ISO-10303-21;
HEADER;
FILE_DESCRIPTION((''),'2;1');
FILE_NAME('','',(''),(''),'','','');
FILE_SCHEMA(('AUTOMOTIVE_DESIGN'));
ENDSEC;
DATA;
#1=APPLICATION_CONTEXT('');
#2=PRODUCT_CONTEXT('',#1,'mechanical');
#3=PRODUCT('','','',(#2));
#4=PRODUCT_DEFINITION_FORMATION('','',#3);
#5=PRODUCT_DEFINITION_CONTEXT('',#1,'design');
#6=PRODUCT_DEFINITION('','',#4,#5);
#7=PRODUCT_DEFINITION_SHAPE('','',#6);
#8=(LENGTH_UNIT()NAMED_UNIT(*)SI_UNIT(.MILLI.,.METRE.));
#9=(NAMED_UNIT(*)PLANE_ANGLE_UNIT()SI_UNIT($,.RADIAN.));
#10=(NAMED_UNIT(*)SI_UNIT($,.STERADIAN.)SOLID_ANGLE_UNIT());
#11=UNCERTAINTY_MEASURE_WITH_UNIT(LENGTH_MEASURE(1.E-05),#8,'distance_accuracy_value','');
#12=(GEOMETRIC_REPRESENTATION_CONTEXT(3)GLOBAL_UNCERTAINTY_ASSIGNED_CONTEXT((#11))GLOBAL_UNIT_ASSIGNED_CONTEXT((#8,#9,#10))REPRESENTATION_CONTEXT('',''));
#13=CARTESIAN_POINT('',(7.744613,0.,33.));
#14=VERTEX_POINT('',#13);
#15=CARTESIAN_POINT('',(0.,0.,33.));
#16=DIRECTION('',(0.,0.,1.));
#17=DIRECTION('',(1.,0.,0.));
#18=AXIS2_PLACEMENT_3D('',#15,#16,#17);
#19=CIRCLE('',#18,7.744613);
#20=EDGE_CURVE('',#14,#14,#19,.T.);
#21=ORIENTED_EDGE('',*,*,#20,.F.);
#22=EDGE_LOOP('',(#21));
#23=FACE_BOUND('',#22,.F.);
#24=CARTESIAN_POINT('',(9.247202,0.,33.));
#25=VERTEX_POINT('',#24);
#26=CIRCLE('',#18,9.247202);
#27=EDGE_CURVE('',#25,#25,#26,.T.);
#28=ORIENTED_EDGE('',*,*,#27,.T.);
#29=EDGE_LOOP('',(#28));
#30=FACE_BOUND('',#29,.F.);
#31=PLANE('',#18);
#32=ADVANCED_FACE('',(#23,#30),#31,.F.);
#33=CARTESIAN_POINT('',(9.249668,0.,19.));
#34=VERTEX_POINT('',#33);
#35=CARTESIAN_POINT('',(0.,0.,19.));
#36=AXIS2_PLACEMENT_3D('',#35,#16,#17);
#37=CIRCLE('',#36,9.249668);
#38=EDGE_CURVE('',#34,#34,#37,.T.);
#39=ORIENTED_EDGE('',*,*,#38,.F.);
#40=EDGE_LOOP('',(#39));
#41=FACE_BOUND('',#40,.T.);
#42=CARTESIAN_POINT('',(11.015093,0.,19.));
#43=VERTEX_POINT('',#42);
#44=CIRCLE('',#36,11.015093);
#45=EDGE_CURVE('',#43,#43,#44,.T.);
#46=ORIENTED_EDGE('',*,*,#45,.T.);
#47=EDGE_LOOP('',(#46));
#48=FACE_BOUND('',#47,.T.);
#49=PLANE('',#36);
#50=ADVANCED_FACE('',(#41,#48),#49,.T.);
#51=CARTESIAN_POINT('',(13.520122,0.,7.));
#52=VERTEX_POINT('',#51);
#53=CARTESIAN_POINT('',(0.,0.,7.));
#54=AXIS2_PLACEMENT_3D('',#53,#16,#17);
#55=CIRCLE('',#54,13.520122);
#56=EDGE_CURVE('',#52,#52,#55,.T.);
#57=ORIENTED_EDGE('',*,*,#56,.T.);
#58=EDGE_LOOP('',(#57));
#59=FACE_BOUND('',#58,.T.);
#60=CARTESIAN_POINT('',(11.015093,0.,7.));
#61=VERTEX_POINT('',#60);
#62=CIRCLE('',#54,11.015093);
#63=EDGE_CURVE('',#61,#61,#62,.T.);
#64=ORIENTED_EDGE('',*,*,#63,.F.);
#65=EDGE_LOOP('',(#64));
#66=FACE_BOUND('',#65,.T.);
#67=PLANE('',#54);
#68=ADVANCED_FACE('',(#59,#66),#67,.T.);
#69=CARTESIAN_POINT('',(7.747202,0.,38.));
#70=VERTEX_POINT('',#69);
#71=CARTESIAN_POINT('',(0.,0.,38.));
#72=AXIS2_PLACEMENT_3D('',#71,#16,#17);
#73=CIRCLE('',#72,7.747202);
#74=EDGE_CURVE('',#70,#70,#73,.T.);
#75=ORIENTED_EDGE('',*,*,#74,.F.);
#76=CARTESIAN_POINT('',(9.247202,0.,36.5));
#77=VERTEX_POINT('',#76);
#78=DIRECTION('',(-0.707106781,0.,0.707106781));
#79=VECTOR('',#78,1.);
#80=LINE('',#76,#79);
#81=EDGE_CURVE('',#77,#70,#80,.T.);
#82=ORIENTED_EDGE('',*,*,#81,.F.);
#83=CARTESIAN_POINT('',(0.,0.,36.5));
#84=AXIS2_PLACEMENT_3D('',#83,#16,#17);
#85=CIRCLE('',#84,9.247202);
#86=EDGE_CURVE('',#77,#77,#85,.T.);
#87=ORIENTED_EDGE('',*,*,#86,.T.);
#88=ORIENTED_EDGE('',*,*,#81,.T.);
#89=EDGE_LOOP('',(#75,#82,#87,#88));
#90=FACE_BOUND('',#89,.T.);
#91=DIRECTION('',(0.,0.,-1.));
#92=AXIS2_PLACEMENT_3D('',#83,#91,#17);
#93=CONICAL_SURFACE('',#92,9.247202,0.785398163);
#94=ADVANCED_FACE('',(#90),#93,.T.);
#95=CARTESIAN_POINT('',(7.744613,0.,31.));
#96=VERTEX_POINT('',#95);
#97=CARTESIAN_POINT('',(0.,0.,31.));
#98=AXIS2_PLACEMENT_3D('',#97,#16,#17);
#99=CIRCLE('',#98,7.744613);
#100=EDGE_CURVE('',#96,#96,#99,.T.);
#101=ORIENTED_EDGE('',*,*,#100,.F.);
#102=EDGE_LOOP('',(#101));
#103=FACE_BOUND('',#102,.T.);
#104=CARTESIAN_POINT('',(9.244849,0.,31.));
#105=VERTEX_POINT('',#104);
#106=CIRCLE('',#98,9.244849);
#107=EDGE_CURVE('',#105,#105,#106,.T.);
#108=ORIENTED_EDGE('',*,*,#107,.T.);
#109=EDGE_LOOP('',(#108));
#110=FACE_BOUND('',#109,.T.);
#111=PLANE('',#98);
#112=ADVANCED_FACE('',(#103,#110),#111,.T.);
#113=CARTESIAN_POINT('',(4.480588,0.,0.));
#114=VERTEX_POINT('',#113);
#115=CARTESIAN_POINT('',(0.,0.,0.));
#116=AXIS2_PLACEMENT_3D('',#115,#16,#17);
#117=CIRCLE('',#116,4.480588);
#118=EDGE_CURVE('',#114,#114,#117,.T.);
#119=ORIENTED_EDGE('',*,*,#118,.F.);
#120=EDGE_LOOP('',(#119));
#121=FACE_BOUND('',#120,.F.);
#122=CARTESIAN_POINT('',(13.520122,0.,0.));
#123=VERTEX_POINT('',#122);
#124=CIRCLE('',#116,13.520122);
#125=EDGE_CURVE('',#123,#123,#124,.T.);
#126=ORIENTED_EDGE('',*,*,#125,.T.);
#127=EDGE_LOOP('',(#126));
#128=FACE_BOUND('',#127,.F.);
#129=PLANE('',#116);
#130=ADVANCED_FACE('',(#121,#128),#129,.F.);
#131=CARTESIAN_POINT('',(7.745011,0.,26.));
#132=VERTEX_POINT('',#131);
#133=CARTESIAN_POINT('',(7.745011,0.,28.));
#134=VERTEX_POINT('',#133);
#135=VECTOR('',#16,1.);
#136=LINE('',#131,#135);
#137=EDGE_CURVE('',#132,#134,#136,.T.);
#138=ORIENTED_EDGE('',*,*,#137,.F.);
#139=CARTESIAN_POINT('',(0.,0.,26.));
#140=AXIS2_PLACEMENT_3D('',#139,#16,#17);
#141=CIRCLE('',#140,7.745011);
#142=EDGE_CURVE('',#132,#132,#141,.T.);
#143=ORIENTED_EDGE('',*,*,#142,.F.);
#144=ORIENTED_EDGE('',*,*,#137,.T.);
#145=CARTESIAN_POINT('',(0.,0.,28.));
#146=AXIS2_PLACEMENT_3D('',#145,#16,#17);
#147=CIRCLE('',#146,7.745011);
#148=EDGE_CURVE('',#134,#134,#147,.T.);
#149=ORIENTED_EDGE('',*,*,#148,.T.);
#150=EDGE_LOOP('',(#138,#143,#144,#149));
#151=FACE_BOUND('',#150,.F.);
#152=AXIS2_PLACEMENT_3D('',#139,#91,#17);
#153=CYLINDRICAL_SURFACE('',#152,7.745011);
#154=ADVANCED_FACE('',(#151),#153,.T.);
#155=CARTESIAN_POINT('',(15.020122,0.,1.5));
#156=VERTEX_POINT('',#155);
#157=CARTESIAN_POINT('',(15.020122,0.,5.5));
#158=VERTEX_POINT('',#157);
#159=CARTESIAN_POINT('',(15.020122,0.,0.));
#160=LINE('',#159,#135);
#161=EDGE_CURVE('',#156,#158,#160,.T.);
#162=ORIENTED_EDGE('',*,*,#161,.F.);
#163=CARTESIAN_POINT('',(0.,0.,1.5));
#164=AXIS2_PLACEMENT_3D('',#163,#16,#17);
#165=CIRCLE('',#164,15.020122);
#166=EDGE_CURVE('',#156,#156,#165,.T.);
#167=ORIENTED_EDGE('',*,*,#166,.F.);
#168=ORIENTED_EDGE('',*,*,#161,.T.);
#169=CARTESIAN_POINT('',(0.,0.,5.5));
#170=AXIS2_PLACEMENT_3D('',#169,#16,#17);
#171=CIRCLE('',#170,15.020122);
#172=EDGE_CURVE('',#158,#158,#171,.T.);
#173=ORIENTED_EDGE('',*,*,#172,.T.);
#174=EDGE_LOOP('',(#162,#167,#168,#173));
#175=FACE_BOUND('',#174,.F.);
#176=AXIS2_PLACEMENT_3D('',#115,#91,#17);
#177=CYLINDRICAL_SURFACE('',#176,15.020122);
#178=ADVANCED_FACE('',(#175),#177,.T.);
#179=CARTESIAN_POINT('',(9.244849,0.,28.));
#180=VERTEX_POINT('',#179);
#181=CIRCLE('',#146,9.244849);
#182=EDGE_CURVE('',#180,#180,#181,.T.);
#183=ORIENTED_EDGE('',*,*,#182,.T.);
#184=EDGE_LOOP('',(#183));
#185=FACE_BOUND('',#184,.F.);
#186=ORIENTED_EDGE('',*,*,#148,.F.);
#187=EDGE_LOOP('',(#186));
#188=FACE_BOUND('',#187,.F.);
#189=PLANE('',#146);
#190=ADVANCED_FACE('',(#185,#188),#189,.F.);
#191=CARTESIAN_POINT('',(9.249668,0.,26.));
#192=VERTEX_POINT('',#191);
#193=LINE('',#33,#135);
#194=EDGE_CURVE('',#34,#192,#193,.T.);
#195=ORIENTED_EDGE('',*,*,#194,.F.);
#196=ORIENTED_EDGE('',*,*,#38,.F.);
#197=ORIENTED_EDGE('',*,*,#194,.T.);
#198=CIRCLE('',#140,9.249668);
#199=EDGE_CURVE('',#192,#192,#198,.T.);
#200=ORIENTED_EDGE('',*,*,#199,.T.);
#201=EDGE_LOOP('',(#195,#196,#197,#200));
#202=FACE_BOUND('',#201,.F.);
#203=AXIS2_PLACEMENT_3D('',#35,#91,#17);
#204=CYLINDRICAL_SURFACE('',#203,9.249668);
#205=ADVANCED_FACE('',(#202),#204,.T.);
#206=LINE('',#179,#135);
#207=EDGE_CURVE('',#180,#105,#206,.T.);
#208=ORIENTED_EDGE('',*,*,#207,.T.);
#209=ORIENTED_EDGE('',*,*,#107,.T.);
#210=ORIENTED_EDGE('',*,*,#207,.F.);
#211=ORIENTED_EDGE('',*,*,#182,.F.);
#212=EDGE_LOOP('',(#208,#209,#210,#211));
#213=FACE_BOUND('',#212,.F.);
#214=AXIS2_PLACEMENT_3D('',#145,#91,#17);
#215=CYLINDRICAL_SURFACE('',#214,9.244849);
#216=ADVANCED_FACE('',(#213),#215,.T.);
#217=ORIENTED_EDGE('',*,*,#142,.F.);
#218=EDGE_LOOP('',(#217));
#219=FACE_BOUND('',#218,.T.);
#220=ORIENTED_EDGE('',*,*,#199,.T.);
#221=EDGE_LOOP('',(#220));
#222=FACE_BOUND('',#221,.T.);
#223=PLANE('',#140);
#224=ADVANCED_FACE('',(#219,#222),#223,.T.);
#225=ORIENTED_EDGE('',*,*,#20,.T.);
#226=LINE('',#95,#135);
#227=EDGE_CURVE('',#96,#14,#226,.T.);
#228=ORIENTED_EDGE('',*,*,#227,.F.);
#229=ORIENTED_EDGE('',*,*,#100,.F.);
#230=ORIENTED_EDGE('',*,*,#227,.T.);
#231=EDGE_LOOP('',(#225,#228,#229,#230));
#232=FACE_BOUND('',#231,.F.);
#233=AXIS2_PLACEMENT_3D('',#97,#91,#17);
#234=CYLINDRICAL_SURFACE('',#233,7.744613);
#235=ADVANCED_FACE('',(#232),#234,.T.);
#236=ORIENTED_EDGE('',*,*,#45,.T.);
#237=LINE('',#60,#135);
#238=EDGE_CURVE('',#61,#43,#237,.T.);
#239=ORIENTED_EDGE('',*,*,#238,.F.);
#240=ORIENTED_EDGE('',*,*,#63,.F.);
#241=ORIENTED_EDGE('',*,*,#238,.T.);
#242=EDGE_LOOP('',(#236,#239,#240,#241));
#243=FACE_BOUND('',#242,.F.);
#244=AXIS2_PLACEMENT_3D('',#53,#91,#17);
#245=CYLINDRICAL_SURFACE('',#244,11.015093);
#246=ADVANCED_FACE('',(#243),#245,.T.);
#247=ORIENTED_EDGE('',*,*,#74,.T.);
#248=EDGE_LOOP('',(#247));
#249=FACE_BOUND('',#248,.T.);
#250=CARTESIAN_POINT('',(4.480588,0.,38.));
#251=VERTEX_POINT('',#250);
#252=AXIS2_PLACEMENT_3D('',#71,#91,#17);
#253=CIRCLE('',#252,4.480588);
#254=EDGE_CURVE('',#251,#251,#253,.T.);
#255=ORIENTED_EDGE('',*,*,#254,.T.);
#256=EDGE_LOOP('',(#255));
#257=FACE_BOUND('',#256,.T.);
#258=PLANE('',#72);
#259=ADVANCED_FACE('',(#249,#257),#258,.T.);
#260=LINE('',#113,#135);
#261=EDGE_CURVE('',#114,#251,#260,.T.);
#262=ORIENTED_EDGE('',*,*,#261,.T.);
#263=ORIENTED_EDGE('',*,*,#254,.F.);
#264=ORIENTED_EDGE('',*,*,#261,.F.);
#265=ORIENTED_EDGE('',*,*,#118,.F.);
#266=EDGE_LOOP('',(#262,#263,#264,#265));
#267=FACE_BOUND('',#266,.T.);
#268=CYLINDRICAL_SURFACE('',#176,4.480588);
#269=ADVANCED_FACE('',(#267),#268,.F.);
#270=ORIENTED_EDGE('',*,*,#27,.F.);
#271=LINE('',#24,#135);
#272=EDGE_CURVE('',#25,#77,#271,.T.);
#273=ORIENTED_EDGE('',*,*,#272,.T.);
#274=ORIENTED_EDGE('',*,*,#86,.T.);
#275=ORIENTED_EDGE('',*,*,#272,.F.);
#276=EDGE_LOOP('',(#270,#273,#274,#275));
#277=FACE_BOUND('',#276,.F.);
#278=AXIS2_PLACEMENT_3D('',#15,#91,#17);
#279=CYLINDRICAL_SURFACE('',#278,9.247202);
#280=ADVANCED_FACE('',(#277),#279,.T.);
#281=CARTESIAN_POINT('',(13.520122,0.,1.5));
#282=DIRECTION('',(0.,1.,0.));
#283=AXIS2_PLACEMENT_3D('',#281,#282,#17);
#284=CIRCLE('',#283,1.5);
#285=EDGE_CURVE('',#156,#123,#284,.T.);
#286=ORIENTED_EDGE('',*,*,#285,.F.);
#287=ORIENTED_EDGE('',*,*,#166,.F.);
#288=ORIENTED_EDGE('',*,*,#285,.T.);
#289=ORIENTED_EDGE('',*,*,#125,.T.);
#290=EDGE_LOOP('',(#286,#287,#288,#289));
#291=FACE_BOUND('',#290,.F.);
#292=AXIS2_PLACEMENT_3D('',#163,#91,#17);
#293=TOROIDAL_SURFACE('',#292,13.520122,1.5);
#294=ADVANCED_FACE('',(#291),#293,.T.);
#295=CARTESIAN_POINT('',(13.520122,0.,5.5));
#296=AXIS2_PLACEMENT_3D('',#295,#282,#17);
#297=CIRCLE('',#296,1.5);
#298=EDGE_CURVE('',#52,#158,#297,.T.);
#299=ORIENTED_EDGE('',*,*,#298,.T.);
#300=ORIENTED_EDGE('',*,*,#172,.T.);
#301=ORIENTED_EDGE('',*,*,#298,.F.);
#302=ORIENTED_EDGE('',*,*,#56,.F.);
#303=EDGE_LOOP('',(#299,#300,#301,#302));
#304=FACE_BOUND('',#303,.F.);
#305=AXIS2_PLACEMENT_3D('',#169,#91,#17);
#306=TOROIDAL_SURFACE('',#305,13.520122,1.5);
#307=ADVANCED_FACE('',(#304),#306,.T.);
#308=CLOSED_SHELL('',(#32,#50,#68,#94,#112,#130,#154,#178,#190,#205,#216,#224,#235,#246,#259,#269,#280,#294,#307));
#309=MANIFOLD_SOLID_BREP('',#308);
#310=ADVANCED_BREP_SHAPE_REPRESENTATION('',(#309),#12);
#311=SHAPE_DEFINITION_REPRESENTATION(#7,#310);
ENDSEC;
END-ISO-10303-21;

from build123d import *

# Parameters (mm, degrees)
F0_R      = 15.020122
F1_DEPTH  = 7
F2_R      = 11.015093
F3_DEPTH  = 12
F4_R      = 9.249668
F5_DEPTH  = 7
F6_R      = 7.745011
F7_DEPTH  = 2
F8_R      = 9.244849
F9_DEPTH  = 3
F10_R     = 7.744613
F11_DEPTH = 2
F12_R     = 9.247202
F13_DEPTH = 5
F14_SIZE  = 1.5
F15_R     = 1.5
F16_R     = 4.480588
F17_DEPTH = 50


with BuildPart() as f1:
    # F0 (on Top) → F1 (new body)
    with BuildSketch(Plane.XY):
        Circle(F0_R)
    extrude(amount=F1_DEPTH)

    # F2 (on face) → F3 (join)
    with BuildSketch(Plane.XY.offset(7)):
        Circle(F2_R)
    extrude(amount=F3_DEPTH)

    # F4 (on face) → F5 (join)
    with BuildSketch(Plane.XY.offset(19)):
        Circle(F4_R)
    extrude(amount=F5_DEPTH)

    # F6 (on face) → F7 (join)
    with BuildSketch(Plane.XY.offset(26)):
        Circle(F6_R)
    extrude(amount=F7_DEPTH)

    # F8 (on face) → F9 (join)
    with BuildSketch(Plane.XY.offset(28)):
        Circle(F8_R)
    extrude(amount=F9_DEPTH)

    # F10 (on face) → F11 (join)
    with BuildSketch(Plane.XY.offset(31)):
        Circle(F10_R)
    extrude(amount=F11_DEPTH)

    # F12 (on face) → F13 (join)
    with BuildSketch(Plane.XY.offset(33)):
        Circle(F12_R)
    extrude(amount=F13_DEPTH)

    # F14
    f14_edges = [f1.edges().sort_by_distance(p)[0] for p in [
        (-9.247202, 0, 38),
    ]]
    chamfer(f14_edges, length=F14_SIZE)

    # F15
    f15_edges = [f1.edges().sort_by_distance(p)[0] for p in [
        (-15.020122, 0, 7),
        (-15.020122, 0, 0),
    ]]
    fillet(f15_edges, radius=F15_R)

    # F16 (on Top) → F17 (cut)
    with BuildSketch(Plane.XY):
        Circle(F16_R)
    extrude(amount=F17_DEPTH, mode=Mode.SUBTRACT)


solid = f1.part
